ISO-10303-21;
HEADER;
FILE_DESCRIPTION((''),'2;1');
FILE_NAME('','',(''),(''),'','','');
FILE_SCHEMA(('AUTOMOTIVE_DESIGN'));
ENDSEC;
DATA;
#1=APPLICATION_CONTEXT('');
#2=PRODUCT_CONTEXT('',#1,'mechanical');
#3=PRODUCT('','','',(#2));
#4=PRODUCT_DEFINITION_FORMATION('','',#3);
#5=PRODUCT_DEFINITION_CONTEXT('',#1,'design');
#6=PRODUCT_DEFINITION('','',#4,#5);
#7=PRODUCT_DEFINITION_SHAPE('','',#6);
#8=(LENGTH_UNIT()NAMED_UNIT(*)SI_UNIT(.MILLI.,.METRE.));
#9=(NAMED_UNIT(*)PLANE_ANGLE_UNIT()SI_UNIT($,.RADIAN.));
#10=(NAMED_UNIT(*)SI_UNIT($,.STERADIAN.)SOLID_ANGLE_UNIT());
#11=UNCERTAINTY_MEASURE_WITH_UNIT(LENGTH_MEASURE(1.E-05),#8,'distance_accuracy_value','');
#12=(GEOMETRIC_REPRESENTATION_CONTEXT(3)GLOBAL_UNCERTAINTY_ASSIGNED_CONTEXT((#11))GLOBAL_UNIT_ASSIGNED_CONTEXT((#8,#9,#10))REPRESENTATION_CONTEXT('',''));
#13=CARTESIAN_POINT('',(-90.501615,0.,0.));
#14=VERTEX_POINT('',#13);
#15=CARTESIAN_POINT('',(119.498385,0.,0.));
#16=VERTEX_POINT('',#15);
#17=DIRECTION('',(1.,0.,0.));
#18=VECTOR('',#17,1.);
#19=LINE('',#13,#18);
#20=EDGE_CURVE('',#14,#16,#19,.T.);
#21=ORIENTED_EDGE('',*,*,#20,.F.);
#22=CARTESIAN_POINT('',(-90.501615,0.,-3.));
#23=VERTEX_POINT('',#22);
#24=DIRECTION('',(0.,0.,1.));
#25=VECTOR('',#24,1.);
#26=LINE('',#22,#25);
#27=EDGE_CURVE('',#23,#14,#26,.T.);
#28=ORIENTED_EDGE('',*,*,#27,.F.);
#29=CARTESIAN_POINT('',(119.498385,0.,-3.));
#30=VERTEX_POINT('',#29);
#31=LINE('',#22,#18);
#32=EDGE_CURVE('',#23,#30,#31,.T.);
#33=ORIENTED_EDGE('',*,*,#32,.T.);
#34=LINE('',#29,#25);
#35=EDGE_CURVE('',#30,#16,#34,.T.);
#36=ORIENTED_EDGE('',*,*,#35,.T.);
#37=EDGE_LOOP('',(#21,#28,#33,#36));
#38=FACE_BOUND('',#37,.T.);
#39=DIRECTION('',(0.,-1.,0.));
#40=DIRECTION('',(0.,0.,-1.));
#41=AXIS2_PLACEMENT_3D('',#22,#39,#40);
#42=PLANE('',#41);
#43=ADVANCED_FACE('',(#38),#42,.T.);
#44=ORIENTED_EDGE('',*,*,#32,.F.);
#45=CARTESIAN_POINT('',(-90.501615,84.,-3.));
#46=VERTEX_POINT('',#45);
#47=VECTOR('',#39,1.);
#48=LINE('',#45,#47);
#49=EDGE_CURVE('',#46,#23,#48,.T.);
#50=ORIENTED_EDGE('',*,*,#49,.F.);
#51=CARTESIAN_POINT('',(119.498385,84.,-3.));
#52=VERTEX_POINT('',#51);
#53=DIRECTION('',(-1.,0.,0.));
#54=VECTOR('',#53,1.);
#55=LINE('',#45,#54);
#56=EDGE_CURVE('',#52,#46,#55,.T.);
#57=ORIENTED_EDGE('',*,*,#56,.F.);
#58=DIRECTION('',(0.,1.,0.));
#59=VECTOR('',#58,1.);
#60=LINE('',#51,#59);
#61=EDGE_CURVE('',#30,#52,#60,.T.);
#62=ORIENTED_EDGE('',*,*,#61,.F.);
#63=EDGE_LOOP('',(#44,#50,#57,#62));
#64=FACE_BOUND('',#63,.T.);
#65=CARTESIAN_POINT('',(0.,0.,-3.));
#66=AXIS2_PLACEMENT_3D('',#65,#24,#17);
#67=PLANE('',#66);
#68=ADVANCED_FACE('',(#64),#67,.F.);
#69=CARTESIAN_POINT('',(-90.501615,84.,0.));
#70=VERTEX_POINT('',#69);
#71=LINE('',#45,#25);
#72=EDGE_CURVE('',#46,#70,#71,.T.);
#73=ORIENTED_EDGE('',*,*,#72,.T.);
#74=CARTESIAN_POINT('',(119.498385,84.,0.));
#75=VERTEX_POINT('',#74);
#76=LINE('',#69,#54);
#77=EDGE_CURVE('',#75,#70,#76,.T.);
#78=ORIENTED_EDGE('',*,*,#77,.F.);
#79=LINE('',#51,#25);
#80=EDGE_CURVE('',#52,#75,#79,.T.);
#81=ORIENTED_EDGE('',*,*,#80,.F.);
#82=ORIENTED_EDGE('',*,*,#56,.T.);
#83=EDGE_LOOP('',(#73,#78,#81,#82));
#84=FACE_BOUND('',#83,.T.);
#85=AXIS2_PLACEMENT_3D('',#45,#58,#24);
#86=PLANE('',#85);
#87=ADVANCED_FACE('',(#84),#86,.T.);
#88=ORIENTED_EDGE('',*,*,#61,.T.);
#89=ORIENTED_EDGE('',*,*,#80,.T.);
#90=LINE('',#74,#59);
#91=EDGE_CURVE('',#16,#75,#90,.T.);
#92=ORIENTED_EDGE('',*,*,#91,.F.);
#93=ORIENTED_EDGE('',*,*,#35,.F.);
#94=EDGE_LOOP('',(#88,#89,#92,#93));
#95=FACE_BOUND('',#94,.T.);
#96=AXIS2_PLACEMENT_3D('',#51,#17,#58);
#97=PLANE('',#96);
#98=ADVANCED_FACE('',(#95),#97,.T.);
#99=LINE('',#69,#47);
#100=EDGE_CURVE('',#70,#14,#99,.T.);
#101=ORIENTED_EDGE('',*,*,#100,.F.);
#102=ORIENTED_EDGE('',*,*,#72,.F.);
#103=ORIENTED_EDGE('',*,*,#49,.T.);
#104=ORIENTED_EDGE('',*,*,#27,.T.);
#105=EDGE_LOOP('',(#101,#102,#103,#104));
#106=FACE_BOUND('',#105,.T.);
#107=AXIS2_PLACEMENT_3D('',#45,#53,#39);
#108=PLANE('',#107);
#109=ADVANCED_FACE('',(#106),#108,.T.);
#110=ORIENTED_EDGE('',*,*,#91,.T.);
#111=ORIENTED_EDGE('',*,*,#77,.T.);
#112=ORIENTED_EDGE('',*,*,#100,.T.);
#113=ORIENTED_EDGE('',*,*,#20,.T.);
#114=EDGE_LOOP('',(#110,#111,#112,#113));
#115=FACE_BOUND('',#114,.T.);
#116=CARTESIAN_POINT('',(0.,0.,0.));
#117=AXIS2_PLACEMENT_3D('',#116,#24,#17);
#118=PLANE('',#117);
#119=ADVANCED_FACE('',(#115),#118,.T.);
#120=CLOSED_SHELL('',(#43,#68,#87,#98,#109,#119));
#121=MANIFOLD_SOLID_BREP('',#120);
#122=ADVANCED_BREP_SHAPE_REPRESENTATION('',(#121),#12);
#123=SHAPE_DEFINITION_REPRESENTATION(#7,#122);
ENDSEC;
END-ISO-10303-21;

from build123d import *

# Parameters (mm, degrees)
CROQUIS3_W              = 210
CROQUIS3_H              = 84
SALIENTE_EXTRUIR2_DEPTH = 3


with BuildPart() as part:
    # Croquis3 → Saliente-Extruir2 (new body)
    with BuildSketch(Plane.XY):
        with Locations((14.498385096, 42)):
            Rectangle(CROQUIS3_W, CROQUIS3_H)
    extrude(amount=-SALIENTE_EXTRUIR2_DEPTH)


solid = part.part
